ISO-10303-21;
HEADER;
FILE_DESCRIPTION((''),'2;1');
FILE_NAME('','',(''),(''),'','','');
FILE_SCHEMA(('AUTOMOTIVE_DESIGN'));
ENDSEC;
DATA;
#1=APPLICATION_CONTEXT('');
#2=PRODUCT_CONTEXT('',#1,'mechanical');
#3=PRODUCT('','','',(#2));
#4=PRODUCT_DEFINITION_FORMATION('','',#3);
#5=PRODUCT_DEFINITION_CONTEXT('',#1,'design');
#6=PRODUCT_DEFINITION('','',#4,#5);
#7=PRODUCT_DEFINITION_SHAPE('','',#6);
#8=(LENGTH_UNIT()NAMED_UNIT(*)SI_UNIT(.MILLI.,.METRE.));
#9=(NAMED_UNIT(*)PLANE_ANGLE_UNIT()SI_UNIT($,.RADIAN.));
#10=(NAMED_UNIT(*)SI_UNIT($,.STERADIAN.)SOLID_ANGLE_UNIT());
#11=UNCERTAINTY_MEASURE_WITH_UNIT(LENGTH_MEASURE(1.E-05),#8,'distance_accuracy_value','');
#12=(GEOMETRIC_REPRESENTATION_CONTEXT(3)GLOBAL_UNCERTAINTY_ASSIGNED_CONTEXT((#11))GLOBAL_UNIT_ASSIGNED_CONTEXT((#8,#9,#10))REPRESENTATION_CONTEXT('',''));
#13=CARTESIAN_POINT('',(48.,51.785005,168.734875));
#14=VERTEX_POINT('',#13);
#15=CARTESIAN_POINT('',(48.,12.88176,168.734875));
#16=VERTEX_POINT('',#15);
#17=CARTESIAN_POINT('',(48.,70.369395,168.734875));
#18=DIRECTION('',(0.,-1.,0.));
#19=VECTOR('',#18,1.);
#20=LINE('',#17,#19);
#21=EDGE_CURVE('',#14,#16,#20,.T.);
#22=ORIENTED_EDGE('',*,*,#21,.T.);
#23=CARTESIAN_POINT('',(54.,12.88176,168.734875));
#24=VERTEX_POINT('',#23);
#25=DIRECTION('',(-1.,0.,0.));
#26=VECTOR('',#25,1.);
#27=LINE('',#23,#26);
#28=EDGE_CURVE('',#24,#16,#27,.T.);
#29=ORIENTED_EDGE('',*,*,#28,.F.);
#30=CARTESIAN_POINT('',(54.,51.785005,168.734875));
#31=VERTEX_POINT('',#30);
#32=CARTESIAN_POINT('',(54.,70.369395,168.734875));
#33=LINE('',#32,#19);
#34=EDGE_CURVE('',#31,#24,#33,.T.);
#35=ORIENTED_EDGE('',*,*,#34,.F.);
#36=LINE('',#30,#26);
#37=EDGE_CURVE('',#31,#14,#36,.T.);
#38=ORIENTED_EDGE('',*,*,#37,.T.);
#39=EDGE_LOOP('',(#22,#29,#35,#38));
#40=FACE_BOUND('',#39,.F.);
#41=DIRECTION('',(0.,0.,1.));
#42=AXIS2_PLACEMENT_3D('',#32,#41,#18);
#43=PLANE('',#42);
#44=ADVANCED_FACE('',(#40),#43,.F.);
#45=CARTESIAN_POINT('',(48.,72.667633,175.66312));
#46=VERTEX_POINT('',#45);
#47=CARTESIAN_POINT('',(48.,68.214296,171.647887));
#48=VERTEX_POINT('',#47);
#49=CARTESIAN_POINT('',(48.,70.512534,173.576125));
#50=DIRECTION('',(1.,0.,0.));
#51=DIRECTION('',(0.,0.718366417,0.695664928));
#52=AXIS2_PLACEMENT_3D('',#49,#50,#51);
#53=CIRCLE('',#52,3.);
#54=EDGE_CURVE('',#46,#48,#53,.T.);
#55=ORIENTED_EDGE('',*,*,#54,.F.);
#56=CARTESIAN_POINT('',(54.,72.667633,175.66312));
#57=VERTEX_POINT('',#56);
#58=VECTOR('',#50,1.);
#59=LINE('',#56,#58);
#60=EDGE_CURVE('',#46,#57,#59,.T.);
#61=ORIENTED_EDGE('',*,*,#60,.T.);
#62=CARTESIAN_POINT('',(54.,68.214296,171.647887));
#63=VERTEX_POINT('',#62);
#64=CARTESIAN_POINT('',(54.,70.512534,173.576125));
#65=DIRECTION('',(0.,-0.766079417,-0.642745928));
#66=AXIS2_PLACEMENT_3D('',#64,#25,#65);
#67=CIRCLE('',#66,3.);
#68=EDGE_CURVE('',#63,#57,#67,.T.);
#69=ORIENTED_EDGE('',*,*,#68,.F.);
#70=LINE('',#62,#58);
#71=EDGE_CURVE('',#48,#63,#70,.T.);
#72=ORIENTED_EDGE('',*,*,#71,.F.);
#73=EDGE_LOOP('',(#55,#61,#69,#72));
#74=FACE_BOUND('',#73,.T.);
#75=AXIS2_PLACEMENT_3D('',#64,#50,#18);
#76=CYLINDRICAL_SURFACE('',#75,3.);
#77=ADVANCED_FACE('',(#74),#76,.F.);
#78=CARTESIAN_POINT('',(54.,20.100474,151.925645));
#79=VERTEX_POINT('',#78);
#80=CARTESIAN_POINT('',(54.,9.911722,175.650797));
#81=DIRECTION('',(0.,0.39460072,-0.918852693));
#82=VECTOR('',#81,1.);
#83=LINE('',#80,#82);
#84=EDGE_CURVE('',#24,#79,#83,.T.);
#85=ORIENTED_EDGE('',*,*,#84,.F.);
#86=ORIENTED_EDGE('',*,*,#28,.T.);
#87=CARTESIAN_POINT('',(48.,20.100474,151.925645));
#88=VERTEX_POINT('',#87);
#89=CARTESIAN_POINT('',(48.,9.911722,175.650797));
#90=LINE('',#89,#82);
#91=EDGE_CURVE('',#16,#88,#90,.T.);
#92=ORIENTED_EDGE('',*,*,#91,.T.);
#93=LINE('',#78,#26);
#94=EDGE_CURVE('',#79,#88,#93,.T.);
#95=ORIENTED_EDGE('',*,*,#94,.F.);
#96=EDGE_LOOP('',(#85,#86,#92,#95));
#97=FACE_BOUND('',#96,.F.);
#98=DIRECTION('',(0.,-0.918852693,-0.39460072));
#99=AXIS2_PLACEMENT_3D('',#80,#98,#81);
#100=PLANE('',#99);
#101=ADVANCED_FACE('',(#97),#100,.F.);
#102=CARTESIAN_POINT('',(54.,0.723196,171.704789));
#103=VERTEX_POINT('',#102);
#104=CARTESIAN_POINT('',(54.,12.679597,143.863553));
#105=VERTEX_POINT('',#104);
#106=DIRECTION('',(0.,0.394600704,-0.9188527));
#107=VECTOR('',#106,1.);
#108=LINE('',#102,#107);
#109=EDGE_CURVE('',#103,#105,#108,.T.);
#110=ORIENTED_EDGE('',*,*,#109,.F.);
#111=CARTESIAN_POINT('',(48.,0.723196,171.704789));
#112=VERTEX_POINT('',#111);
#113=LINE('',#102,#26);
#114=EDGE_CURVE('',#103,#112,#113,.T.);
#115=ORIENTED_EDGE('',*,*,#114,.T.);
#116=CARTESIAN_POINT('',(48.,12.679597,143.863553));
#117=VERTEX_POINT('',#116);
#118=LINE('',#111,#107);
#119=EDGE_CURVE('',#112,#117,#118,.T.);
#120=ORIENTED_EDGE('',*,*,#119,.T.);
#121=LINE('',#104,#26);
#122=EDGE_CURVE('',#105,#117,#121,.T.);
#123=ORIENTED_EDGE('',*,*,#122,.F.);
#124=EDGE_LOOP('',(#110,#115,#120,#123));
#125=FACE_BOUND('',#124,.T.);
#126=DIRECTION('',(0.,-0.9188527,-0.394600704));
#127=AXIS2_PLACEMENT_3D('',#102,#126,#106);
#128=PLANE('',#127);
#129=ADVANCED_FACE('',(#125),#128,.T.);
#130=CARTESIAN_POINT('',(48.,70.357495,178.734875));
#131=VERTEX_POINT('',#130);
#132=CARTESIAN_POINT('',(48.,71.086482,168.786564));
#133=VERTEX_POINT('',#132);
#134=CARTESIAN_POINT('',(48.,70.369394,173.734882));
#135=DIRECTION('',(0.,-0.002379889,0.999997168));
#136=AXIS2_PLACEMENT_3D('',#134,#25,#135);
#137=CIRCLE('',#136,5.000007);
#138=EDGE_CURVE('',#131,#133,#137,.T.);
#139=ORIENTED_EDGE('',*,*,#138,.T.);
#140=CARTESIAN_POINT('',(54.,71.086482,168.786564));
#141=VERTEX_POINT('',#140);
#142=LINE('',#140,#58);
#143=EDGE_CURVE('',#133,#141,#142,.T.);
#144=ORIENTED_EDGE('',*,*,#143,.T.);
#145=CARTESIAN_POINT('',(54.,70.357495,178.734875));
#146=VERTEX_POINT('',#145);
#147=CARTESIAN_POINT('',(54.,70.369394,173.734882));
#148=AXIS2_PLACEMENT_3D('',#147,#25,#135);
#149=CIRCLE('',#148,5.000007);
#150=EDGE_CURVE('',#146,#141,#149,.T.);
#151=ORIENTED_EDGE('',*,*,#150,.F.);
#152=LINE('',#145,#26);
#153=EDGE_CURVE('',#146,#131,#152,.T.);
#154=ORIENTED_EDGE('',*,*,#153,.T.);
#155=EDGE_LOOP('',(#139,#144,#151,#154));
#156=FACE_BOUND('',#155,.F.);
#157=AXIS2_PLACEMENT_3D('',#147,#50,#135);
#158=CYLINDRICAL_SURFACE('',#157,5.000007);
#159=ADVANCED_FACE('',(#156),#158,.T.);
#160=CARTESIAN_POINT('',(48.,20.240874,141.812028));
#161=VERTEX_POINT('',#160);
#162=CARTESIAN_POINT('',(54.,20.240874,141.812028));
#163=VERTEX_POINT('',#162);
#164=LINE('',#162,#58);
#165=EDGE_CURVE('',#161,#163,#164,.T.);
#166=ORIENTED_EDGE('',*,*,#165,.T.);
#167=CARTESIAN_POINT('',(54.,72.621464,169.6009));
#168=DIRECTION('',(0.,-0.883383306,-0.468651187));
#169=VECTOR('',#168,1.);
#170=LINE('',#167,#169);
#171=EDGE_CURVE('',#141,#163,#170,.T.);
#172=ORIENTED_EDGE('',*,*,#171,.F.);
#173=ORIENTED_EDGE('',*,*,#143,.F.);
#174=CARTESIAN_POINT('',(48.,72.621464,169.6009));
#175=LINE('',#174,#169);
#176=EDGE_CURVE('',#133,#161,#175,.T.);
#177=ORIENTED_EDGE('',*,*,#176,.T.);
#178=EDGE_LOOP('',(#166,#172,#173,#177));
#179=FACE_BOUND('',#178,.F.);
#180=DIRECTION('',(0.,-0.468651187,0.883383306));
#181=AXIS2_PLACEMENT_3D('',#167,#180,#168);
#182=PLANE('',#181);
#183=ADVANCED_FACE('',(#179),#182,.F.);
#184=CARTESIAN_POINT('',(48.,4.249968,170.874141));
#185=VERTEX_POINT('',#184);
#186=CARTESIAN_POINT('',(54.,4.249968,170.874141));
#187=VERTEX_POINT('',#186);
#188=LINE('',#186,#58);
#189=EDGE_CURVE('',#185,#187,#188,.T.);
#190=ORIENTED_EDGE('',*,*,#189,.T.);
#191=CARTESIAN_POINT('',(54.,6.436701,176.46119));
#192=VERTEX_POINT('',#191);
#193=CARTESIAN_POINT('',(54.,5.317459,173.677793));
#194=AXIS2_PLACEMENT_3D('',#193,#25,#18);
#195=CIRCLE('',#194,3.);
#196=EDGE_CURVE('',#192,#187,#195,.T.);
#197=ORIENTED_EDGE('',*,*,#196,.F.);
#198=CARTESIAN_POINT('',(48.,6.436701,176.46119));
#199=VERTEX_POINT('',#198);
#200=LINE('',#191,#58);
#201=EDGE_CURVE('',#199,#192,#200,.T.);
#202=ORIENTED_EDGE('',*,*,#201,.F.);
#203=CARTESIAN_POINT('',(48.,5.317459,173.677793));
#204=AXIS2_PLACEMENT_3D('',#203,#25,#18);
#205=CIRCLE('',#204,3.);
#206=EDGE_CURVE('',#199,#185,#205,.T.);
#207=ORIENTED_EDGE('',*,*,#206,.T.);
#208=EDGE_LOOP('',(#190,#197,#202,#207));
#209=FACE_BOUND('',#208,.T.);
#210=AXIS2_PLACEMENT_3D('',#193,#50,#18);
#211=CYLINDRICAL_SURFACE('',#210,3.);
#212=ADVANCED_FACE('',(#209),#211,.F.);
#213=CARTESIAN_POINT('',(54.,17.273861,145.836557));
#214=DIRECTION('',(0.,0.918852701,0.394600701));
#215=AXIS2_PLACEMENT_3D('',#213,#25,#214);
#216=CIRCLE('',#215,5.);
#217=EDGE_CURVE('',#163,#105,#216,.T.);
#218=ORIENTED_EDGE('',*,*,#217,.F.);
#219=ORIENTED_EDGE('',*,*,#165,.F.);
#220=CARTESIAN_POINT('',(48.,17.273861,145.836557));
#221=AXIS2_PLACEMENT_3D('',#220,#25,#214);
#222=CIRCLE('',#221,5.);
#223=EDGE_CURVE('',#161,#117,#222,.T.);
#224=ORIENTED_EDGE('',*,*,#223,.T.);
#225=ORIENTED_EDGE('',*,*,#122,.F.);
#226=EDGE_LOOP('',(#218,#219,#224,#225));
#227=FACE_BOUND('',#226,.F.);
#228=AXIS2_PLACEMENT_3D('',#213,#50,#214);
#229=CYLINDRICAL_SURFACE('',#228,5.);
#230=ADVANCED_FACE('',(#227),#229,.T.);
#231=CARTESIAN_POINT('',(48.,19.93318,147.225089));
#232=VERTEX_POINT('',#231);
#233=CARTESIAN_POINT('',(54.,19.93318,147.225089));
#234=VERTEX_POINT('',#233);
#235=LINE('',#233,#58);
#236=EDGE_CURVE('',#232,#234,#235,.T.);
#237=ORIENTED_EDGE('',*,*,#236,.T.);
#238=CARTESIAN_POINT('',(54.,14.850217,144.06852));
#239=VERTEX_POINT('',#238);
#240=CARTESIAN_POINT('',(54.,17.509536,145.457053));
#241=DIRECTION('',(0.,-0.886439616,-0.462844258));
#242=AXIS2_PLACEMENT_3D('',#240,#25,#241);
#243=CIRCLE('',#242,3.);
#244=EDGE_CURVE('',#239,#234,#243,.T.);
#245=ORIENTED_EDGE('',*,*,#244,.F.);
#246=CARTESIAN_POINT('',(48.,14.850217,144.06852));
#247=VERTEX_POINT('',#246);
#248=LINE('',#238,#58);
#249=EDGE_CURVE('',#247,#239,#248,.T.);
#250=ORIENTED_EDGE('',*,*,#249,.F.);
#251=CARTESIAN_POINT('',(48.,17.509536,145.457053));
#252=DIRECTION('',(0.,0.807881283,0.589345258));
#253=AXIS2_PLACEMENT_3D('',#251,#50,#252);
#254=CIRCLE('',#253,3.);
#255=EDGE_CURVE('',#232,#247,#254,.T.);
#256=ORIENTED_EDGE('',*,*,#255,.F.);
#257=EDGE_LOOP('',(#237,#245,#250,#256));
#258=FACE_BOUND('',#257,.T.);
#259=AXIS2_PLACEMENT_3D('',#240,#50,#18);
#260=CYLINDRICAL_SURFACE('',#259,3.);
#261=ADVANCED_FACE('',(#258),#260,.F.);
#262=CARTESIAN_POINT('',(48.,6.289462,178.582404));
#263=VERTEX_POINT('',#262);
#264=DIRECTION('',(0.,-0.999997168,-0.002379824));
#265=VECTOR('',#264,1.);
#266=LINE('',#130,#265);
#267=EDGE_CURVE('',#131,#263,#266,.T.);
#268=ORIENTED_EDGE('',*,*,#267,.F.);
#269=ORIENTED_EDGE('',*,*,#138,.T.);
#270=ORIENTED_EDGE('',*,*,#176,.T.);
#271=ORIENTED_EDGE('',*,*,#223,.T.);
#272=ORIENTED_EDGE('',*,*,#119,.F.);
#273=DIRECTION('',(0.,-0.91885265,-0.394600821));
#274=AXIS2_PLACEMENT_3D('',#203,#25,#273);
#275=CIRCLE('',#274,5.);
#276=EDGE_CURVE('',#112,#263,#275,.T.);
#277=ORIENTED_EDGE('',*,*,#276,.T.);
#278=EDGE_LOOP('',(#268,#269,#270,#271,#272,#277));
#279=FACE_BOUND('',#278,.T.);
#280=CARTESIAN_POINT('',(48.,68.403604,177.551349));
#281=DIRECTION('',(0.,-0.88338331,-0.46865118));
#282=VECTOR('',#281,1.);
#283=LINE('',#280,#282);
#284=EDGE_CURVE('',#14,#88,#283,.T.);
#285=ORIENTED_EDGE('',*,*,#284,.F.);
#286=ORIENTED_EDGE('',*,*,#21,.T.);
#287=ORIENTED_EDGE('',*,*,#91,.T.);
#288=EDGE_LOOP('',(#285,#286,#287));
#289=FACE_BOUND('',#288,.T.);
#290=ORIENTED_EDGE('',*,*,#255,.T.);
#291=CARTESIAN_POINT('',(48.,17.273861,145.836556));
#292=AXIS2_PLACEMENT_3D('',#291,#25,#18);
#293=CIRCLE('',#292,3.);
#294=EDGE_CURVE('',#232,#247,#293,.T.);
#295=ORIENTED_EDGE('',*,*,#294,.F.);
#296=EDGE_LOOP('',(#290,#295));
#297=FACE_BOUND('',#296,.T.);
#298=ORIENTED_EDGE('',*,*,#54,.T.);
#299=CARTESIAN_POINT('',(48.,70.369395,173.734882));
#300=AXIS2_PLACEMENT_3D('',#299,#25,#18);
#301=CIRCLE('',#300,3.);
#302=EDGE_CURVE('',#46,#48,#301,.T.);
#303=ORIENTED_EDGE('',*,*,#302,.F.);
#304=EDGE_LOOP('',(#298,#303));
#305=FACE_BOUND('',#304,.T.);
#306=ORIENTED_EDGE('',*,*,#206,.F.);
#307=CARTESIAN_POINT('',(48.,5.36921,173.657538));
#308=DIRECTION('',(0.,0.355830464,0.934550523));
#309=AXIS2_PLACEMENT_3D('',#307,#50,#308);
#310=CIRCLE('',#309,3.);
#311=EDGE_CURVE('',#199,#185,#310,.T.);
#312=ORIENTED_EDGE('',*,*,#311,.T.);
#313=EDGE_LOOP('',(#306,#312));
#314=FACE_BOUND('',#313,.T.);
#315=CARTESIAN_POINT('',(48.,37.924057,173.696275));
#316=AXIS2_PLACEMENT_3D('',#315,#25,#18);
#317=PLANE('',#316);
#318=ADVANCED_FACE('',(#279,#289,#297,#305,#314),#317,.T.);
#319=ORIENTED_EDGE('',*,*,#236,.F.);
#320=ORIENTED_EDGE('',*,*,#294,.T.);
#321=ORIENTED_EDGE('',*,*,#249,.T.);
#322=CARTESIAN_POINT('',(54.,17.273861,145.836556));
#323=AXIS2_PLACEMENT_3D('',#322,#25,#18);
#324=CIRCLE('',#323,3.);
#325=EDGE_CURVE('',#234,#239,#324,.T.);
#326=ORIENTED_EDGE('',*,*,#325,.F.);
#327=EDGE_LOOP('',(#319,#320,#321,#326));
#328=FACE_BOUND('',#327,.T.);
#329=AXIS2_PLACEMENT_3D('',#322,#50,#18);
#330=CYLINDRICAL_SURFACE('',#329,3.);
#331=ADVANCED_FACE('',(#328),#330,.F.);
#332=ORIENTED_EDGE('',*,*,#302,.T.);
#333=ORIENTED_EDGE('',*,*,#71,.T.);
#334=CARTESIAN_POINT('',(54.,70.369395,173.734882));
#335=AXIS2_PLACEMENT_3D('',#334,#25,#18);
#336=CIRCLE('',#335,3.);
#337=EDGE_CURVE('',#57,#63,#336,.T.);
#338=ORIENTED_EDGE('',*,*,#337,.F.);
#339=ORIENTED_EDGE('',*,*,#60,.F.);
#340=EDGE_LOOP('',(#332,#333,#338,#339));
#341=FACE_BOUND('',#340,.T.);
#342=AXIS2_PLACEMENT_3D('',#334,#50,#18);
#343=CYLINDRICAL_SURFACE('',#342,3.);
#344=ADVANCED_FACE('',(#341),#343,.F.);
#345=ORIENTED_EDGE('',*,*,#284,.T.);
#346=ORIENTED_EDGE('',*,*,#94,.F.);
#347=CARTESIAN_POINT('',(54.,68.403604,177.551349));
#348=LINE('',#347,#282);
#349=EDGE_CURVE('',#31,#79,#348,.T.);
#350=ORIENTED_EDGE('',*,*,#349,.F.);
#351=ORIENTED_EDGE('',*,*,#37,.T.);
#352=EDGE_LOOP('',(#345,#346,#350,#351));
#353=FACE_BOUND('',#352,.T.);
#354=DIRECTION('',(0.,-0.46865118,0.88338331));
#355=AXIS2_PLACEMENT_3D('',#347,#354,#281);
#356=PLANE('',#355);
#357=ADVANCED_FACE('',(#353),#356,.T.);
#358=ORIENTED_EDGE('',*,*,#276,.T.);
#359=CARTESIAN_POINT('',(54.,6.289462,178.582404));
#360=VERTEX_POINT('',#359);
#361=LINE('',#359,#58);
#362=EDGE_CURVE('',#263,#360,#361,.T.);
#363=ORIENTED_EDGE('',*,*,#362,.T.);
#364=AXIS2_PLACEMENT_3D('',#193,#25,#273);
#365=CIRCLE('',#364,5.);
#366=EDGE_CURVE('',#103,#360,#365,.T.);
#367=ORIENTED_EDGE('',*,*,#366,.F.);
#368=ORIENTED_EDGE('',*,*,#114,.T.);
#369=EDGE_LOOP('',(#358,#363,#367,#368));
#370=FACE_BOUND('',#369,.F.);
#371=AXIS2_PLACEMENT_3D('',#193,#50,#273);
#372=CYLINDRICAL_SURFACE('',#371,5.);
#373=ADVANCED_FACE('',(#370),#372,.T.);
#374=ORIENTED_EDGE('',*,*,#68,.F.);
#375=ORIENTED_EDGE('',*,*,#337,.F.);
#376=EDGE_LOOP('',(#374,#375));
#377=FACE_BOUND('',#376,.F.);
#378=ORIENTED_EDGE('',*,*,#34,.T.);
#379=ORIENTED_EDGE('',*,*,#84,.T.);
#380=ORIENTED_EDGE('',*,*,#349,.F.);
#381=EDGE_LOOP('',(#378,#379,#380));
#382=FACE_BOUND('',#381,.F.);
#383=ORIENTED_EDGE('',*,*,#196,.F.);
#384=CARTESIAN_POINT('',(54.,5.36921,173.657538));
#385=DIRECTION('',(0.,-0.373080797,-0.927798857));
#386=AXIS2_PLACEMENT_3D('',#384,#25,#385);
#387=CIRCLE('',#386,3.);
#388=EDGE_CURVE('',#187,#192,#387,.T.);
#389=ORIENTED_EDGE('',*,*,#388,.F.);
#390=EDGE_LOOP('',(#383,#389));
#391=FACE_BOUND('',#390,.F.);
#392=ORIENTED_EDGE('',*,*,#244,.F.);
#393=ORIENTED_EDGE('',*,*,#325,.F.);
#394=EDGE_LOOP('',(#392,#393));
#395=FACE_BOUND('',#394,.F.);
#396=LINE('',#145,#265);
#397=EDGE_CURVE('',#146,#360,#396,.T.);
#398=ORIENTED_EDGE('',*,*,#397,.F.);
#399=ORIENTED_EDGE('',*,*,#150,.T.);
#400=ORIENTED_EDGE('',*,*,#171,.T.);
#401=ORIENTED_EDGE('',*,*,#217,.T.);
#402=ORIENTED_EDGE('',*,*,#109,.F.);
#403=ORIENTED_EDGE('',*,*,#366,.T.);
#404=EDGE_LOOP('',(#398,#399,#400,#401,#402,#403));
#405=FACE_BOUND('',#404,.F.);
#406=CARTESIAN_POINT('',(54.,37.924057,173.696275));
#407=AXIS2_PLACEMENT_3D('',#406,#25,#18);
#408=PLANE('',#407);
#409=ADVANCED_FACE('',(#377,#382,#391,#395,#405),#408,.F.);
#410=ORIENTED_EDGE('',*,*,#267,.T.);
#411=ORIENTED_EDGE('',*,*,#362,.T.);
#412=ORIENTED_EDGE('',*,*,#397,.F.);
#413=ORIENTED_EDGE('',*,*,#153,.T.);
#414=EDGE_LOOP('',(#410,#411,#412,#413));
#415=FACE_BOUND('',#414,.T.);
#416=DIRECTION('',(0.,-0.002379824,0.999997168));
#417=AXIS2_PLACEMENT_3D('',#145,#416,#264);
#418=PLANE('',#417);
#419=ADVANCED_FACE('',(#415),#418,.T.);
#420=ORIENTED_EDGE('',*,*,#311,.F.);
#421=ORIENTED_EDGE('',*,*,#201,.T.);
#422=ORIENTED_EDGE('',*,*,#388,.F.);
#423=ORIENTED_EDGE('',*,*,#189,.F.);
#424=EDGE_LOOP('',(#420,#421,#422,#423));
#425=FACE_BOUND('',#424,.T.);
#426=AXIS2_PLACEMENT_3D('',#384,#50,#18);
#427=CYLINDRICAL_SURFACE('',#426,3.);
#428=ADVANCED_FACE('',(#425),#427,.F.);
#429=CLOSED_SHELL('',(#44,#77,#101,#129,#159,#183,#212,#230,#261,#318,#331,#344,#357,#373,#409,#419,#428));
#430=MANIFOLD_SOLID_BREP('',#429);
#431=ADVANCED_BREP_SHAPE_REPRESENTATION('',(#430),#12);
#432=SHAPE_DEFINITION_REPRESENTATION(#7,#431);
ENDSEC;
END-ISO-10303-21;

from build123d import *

# Parameters (mm, degrees)
SKETCH006_R      = 3
EXTRUDE004_DEPTH = 6
SKETCH004_R      = 3
EXTRUDE003_DEPTH = 6
SKETCH005_R      = 3
EXTRUDE005_DEPTH = 6


with BuildPart() as der:
    # Sketch006 → Extrude004 (new body)
    with BuildSketch(Plane(origin=(0, 0, 0), x_dir=(0, -1, 0), z_dir=(-1, 0, 0))):
        with BuildLine():
            ThreePointArc((-10.803604, 3.701349), (-16.887759, 1.835055), (-15.021464, -4.2491))
            Line((-15.021464, -4.2491), (37.981534, -32.368171))
            ThreePointArc((37.981534, -32.368171), (44.065689, -30.501877), (42.199395, -24.417722))
            Line((-10.803604, 3.701349), (42.199395, -24.417722))
        make_face()
        with Locations((-12.912534, -0.273875)):
            Circle(SKETCH006_R, mode=Mode.SUBTRACT)
        with Locations((40.090464, -28.392947)):
            Circle(SKETCH006_R, mode=Mode.SUBTRACT)
    extrude(amount=EXTRUDE004_DEPTH)


with BuildPart() as arriba:
    # Sketch004 → Extrude003 (new body)
    with BuildSketch(Plane(origin=(0, 0, 0), x_dir=(0, -1, 0), z_dir=(-1, 0, 0))):
        with BuildLine():
            ThreePointArc((-12.757495, 4.884875), (-17.769398, -0.109168), (-12.769395, -5.115125))
            Line((-12.769395, -5.115125), (52.23079, -5.115125))
            ThreePointArc((52.23079, -5.115125), (57.153448, -0.19832), (52.242505, 4.730186))
            Line((-12.757495, 4.884875), (52.242505, 4.730186))
        make_face()
        with Locations((-12.769395, -0.115118)):
            Circle(SKETCH004_R, mode=Mode.SUBTRACT)
        with Locations((52.23079, -0.192462)):
            Circle(SKETCH004_R, mode=Mode.SUBTRACT)
    extrude(amount=EXTRUDE003_DEPTH)


with BuildPart() as triangulo:
    # Sketch005 → Extrude005 (new body)
    with BuildSketch(Plane(origin=(0, 0, 0), x_dir=(0, -1, 0), z_dir=(-1, 0, 0))):
        with BuildLine():
            ThreePointArc((56.876804, -2.145211), (54.255545, 4.422056), (47.688278, 1.800797))
            Line((47.688278, 1.800797), (35.731876, -26.04044))
            ThreePointArc((35.731876, -26.04044), (38.353136, -32.607707), (44.920403, -29.986447))
            Line((56.876804, -2.145211), (44.920403, -29.986447))
        make_face()
        with Locations((40.326139, -28.013444)):
            Circle(SKETCH005_R, mode=Mode.SUBTRACT)
        with Locations((52.282541, -0.172207)):
            Circle(SKETCH005_R, mode=Mode.SUBTRACT)
    extrude(amount=EXTRUDE005_DEPTH)

    # Fusion018: union Der, arriba
    add(der.part)
    add(arriba.part)


with BuildPart() as triangulo_1:
    # Fusion018 placement: moved
    add(triangulo.part.moved(Location((54, 57.6, 173.85))))


solid = triangulo_1.part
